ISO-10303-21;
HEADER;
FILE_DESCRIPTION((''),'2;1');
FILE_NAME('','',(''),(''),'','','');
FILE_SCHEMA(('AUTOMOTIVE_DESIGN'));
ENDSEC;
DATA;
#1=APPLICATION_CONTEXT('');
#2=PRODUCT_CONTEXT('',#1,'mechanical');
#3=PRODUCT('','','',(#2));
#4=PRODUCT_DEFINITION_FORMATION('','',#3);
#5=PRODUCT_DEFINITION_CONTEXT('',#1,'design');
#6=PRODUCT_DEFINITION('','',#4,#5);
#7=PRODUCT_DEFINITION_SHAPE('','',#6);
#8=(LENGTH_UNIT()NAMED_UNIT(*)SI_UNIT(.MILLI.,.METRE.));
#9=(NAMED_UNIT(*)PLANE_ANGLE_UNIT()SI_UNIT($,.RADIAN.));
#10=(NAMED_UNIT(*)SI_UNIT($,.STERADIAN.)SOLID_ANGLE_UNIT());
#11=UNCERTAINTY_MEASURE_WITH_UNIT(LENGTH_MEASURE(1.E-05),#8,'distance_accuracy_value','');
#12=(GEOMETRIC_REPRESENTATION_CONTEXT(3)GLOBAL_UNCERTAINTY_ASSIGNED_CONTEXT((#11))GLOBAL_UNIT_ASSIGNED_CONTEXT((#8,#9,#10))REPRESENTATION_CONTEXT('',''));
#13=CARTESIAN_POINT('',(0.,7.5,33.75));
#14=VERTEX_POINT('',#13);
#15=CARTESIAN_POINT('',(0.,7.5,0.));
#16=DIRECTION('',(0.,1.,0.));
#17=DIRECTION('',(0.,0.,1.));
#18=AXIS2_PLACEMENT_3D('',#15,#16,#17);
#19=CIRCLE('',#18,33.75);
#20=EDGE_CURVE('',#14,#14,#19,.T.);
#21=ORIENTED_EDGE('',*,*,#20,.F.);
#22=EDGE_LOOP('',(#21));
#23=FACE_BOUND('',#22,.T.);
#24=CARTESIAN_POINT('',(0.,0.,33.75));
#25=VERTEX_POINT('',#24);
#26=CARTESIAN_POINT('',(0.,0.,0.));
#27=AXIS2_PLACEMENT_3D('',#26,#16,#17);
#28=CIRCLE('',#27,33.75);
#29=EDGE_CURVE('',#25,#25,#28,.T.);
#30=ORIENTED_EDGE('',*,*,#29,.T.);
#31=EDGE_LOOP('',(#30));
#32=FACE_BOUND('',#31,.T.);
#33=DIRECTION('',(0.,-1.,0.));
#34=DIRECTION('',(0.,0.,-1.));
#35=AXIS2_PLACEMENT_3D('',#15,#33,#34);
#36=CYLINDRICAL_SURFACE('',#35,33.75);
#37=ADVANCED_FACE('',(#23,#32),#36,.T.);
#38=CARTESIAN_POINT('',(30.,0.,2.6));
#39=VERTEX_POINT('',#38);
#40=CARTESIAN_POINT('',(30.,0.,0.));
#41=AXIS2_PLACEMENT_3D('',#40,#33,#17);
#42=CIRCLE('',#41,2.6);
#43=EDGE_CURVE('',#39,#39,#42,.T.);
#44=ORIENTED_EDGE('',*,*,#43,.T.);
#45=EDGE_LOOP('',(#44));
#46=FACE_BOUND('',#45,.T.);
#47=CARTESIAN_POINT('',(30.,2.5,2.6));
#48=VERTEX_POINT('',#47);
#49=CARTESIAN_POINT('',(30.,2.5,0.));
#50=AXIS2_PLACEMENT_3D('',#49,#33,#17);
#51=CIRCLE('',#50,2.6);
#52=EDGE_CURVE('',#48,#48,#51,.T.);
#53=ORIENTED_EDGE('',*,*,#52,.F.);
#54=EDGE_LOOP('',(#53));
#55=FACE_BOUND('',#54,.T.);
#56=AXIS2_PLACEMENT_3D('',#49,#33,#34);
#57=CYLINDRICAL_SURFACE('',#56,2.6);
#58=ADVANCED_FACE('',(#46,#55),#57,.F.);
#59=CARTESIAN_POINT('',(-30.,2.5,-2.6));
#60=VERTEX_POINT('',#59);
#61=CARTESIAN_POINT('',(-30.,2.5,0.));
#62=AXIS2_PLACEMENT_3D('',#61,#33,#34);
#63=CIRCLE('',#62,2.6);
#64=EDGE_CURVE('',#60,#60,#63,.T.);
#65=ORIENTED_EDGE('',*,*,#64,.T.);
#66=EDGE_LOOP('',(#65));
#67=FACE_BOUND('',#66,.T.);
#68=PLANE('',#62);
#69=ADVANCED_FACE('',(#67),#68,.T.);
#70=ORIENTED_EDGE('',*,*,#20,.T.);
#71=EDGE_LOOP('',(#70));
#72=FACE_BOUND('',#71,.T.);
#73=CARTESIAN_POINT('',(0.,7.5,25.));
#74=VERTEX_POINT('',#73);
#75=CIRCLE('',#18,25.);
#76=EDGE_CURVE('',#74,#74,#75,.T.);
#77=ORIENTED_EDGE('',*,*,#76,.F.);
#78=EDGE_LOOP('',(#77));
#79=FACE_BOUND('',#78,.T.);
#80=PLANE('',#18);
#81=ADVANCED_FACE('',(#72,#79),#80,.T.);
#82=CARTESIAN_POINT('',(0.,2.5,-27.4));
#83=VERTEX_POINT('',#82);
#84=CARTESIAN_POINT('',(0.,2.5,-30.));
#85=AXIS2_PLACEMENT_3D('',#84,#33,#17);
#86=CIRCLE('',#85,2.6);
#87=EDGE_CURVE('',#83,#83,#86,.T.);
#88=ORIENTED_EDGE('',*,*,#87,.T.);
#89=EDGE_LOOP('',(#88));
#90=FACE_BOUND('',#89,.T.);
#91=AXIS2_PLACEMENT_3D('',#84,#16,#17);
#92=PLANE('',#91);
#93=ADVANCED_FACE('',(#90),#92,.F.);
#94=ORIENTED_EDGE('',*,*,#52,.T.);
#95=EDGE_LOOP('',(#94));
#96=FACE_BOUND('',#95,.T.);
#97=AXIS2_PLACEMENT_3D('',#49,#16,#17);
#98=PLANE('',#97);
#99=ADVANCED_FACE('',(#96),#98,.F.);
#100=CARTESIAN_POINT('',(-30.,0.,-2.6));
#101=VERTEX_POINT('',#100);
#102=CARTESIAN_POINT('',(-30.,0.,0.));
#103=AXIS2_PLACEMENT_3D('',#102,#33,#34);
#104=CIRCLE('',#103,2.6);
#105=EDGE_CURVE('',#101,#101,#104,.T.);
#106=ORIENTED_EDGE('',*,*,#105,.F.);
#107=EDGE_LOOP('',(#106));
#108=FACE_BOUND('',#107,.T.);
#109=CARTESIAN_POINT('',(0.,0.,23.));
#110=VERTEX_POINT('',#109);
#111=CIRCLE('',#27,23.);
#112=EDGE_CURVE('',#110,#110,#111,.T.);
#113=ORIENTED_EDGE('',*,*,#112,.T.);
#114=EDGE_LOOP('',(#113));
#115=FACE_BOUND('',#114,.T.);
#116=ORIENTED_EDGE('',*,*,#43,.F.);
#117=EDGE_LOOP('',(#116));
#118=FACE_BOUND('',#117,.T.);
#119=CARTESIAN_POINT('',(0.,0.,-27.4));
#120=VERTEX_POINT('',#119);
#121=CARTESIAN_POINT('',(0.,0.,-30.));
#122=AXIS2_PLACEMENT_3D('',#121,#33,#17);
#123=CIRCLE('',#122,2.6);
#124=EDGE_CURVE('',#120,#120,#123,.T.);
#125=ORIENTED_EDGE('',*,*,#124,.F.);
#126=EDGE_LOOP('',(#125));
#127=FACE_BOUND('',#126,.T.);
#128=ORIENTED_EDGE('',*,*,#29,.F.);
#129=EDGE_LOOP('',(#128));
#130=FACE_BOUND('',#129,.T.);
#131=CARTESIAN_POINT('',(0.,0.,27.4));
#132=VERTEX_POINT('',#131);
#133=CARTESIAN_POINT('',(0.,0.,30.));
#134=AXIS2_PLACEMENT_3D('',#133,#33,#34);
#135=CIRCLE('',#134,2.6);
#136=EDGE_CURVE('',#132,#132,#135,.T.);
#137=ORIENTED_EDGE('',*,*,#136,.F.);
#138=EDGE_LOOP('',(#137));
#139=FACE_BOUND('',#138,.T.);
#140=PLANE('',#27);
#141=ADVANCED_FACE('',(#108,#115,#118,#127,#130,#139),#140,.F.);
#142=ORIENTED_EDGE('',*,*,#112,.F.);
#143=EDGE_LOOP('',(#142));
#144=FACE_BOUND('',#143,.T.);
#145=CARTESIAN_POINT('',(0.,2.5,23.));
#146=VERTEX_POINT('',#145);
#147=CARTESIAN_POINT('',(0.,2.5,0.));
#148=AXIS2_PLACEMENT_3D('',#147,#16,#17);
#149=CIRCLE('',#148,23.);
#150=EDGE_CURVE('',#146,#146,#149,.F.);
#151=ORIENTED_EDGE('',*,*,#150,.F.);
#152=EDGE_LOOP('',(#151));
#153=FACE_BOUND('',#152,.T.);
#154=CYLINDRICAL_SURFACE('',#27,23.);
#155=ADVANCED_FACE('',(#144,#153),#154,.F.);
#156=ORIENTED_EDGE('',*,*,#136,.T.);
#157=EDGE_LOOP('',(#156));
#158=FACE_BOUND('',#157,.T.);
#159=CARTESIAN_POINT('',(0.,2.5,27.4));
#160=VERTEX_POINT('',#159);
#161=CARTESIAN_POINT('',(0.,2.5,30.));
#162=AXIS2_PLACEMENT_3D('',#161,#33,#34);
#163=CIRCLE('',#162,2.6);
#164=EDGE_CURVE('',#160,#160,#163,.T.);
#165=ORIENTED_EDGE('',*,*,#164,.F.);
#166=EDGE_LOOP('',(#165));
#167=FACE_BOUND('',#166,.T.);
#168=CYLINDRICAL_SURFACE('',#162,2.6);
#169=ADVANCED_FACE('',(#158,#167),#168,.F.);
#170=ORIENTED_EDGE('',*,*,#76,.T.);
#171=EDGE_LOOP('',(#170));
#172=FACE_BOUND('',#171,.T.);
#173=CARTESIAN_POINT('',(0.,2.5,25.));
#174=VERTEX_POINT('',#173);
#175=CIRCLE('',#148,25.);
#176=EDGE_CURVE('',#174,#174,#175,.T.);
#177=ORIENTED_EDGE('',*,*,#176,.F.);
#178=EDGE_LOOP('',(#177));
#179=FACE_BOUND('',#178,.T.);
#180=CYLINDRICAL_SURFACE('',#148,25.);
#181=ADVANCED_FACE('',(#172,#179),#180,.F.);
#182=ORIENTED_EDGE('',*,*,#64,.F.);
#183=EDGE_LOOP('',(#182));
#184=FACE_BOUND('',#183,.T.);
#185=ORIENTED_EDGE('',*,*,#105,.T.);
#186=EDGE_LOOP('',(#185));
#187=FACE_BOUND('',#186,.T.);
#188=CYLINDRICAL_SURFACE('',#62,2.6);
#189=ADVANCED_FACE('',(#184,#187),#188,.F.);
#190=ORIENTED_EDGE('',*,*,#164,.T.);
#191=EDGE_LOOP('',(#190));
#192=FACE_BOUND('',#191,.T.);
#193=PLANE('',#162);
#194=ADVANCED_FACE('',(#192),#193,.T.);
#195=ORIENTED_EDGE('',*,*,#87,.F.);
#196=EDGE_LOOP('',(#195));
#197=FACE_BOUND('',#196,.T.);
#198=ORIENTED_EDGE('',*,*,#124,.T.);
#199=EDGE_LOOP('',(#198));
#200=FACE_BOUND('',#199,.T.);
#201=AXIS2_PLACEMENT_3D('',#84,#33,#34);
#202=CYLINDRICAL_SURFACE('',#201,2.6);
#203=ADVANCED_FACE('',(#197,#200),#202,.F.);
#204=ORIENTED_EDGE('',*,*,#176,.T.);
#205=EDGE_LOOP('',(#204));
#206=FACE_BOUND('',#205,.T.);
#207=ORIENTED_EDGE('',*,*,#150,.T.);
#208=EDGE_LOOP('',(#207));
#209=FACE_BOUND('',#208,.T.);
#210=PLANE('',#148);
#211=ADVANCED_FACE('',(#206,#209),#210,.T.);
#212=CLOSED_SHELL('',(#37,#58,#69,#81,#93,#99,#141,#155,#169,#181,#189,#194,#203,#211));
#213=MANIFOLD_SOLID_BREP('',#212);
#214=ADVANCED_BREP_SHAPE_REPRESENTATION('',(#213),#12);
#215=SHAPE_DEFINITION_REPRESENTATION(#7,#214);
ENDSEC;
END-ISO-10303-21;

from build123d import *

# Parameters (mm, degrees)
SKETCH1_R           = 33.75
BOSS_EXTRUDE1_DEPTH = 7.5
SKETCH2_R           = 2.6
CUT_EXTRUDE1_DEPTH  = 2.5
SKETCH3_R           = 23
CUT_EXTRUDE2_DEPTH  = 49.315370225
SKETCH4_R           = 25
CUT_EXTRUDE3_DEPTH  = 5


with BuildPart() as part:
    # Sketch1 → Boss-Extrude1 (new body)
    with BuildSketch(Plane(origin=(0, 0, 0), x_dir=(1, 0, 0), z_dir=(0, 1, 0))):
        with Locations(Location((0, 0, 0), (0, 0, 270))):
            Circle(SKETCH1_R)
    extrude(amount=BOSS_EXTRUDE1_DEPTH)

    # Sketch2 → Cut-Extrude1 (cut)
    with BuildSketch(Plane.XZ):
        with Locations(Location((-30, 0, 0), (0, 0, 270))):
            Circle(SKETCH2_R)
        with Locations(Location((30, 0, 0), (0, 0, 90))):
            Circle(SKETCH2_R)
        with Locations(Location((0, -30, 0), (0, 0, 90))):
            Circle(SKETCH2_R)
        with Locations(Location((0, 30, 0), (0, 0, 270))):
            Circle(SKETCH2_R)
    extrude(amount=-CUT_EXTRUDE1_DEPTH, mode=Mode.SUBTRACT)

    # Sketch3 → Cut-Extrude2 (cut, through all)
    with BuildSketch(Plane(origin=(0, 7.5, 0), x_dir=(1, 0, 0), z_dir=(0, 1, 0))):
        with Locations(Location((0, 0, 0), (0, 0, 270))):
            Circle(SKETCH3_R)
    extrude(amount=-CUT_EXTRUDE2_DEPTH, mode=Mode.SUBTRACT)

    # Sketch4 → Cut-Extrude3 (cut)
    with BuildSketch(Plane(origin=(0, 7.5, 0), x_dir=(1, 0, 0), z_dir=(0, 1, 0))):
        with Locations(Location((0, 0, 0), (0, 0, 270))):
            Circle(SKETCH4_R)
    extrude(amount=-CUT_EXTRUDE3_DEPTH, mode=Mode.SUBTRACT)


solid = part.part
